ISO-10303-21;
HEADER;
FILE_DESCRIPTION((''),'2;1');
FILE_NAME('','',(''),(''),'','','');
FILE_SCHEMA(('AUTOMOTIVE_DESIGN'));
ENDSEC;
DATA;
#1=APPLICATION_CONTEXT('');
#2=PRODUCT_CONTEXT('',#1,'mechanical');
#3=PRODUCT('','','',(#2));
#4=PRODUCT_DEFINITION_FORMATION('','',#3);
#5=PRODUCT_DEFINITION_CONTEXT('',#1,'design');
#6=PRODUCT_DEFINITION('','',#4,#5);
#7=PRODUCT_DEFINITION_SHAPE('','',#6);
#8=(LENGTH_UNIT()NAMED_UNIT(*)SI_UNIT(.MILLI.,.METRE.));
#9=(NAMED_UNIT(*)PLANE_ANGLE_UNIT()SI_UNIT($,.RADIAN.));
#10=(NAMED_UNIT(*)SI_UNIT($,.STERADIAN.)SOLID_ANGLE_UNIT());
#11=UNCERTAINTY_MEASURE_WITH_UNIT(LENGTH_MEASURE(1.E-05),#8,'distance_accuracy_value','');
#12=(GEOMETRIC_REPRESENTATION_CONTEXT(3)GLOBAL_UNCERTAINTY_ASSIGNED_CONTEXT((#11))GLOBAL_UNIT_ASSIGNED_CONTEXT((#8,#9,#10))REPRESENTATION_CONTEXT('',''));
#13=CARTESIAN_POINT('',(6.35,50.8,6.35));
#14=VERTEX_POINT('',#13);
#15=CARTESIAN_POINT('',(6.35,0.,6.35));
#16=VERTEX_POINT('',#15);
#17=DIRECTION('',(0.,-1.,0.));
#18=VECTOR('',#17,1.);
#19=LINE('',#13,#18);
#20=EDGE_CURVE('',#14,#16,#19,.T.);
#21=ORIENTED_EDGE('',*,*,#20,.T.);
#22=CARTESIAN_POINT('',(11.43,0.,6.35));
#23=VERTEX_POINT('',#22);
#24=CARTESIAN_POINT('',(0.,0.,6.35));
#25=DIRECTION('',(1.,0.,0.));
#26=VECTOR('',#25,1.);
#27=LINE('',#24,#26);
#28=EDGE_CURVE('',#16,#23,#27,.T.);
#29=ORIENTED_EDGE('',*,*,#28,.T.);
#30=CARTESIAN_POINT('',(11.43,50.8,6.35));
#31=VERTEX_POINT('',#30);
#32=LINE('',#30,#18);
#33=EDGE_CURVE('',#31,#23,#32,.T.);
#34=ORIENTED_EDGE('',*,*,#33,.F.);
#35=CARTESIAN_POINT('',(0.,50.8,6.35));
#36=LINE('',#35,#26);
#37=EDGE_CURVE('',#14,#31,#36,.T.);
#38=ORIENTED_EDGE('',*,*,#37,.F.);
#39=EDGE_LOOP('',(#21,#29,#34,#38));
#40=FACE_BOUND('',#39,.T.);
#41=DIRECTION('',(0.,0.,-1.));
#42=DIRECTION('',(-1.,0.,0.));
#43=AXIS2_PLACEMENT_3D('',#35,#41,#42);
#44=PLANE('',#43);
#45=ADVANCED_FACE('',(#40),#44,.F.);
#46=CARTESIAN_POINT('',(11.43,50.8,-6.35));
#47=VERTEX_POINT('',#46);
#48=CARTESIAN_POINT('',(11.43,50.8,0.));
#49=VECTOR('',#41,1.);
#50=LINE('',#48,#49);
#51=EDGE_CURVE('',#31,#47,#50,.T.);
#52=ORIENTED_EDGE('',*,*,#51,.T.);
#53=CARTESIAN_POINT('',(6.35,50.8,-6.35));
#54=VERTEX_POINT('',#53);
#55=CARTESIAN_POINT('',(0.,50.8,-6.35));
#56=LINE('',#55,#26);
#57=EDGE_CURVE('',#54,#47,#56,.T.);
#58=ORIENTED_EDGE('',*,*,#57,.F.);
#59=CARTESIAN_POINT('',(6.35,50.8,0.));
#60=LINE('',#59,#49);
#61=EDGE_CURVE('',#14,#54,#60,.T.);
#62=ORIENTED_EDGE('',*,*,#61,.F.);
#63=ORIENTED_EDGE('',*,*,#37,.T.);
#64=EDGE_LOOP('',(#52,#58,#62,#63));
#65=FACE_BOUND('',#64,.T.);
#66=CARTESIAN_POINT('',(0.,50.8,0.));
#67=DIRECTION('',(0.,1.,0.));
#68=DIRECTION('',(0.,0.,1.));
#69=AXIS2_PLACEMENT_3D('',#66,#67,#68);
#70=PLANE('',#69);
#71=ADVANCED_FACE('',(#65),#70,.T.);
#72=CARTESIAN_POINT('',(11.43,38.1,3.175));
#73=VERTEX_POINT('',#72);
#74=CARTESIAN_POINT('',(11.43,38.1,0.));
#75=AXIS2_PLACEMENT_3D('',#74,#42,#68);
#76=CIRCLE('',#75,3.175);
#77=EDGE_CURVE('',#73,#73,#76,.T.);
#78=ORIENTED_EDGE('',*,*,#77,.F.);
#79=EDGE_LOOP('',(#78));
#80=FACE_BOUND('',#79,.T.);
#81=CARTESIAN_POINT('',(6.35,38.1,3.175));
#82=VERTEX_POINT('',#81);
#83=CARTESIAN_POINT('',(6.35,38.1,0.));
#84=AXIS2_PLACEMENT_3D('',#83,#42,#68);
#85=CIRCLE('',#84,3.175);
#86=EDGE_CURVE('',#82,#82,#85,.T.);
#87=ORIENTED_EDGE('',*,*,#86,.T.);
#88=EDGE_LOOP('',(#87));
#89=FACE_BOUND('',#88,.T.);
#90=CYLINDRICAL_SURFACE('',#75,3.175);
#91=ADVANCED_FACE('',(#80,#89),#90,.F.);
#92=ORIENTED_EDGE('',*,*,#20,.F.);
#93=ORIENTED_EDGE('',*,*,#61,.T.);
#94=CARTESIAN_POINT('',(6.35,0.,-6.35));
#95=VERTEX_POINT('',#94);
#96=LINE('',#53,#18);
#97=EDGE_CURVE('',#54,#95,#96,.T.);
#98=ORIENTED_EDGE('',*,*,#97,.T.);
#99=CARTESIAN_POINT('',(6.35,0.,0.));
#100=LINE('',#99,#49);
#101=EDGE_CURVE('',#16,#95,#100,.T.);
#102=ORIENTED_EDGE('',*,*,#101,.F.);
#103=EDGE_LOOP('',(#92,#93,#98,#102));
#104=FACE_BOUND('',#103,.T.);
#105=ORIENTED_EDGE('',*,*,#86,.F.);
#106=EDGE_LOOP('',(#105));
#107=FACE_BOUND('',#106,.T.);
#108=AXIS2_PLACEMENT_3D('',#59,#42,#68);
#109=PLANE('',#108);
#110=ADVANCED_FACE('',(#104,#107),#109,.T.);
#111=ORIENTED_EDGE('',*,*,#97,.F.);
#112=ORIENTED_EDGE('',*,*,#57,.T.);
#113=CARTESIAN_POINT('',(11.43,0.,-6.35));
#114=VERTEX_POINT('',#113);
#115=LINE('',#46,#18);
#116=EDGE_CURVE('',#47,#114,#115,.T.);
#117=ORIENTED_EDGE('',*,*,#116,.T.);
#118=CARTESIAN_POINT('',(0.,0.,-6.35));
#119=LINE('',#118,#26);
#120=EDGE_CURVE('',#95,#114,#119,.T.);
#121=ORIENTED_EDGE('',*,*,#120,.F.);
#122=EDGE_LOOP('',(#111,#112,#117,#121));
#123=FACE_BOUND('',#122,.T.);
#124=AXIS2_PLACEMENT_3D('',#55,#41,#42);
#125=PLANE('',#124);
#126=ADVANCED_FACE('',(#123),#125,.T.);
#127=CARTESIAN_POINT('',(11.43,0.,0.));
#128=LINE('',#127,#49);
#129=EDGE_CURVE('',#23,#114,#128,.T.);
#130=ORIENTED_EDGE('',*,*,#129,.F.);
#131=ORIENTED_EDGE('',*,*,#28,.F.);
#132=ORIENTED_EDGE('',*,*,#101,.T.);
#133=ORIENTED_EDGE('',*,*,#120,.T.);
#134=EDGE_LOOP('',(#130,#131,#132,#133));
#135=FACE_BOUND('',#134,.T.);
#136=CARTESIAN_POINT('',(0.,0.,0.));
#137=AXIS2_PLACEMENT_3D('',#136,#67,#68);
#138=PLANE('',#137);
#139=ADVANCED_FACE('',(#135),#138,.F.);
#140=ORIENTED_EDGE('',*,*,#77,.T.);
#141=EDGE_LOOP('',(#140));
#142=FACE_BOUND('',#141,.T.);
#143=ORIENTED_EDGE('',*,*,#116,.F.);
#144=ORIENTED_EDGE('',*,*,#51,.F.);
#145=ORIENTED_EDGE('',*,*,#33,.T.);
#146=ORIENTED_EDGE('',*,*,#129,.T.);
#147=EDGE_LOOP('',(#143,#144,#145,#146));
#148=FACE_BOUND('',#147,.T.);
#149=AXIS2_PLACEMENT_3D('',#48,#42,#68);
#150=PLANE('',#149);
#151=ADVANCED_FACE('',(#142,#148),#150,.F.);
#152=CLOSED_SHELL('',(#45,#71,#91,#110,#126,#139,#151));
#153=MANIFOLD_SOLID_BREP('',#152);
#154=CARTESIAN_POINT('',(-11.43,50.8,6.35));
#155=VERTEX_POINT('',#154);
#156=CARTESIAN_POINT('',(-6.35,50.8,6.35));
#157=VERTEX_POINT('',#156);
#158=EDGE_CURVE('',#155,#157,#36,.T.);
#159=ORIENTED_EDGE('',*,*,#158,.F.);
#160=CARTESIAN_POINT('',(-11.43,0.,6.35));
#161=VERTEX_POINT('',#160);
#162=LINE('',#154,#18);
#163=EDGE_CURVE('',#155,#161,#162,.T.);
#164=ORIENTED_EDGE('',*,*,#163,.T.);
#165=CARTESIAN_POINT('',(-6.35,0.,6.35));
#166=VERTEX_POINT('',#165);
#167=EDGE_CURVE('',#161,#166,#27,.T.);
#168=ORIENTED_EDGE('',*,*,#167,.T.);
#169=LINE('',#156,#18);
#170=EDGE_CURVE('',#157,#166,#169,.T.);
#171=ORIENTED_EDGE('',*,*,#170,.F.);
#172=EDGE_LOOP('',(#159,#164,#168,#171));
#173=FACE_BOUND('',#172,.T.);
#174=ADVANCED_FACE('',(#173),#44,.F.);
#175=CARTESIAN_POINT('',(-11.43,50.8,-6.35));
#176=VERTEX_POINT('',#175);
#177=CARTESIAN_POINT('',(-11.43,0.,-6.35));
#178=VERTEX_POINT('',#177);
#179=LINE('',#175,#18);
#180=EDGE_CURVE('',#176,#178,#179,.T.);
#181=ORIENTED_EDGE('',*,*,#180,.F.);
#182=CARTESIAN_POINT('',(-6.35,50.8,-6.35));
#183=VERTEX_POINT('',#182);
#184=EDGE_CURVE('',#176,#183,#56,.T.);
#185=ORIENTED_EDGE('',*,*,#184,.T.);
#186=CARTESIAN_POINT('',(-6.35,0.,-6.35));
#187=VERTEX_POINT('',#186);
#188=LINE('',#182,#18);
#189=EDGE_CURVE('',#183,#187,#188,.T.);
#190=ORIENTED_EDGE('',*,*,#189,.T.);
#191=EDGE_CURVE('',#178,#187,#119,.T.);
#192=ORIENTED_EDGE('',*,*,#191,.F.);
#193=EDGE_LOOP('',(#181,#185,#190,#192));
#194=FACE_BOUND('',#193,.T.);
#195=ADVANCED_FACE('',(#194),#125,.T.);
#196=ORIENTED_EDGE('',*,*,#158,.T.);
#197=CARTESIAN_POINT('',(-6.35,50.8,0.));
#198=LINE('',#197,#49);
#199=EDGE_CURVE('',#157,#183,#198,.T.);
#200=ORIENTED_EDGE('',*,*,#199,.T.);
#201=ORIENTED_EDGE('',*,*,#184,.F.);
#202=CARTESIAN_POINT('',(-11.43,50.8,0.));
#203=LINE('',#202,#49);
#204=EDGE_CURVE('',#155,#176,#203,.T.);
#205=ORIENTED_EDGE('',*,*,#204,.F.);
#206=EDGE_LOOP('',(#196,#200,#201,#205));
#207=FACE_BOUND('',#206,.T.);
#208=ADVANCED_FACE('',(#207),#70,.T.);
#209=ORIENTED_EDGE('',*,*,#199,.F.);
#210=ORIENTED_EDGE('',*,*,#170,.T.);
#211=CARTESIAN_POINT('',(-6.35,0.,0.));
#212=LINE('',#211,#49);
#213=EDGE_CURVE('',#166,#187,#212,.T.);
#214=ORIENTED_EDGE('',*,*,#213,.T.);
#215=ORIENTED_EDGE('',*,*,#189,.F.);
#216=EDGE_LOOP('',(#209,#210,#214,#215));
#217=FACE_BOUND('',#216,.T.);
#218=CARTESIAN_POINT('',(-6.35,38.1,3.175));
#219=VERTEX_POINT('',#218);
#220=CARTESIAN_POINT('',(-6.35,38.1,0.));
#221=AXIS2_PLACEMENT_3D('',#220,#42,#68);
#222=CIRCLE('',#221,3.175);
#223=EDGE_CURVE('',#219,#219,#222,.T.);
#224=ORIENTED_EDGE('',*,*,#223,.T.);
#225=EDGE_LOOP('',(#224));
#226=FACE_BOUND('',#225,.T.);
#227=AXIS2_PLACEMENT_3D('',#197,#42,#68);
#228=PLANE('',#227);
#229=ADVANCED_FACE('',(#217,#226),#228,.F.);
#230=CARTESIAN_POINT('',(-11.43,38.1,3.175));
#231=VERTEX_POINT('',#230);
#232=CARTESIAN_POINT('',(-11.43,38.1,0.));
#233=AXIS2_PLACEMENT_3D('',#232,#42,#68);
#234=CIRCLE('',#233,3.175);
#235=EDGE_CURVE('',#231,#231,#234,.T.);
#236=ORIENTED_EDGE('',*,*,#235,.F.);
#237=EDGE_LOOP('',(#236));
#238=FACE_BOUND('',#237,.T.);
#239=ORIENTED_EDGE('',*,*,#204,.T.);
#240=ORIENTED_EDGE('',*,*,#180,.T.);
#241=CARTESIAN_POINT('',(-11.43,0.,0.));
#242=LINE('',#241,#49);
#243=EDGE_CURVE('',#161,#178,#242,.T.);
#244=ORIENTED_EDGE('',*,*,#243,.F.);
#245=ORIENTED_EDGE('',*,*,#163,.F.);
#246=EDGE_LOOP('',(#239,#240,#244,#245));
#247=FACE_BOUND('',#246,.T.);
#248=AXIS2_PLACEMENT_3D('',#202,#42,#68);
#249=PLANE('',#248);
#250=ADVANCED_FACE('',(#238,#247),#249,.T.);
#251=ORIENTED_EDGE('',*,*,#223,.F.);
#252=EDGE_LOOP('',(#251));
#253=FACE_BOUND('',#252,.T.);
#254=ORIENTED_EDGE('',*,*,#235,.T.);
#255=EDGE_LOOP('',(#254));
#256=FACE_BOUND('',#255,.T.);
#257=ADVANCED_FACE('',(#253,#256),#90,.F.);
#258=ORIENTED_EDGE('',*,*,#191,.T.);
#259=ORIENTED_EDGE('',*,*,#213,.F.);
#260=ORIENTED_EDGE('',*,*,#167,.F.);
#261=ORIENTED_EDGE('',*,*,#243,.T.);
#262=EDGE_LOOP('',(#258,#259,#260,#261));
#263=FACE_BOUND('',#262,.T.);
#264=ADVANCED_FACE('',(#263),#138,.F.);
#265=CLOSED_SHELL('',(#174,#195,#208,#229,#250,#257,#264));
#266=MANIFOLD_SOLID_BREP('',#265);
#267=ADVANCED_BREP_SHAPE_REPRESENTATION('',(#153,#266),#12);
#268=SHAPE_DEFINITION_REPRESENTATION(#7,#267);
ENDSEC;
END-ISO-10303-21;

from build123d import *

# Parameters (mm, degrees)
SKETCH1_W             = 5.08
SKETCH1_H             = 12.7
BOSS_EXTRUDE1_DEPTH   = 50.8
BOSS_EXTRUDE1_2_DEPTH = 50.8
SKETCH2_R             = 3.175
CUT_EXTRUDE1_DEPTH    = 23.86


with BuildPart() as part:
    # Sketch1 → Boss-Extrude1 (new body)
    with BuildSketch(Plane(origin=(0, 0, 0), x_dir=(1, 0, 0), z_dir=(0, 1, 0))):
        with Locations((-8.89, 0)):
            Rectangle(SKETCH1_W, SKETCH1_H)
    extrude(amount=BOSS_EXTRUDE1_DEPTH)


with BuildPart() as body_2:
    # Sketch1 → Boss-Extrude1 2 (new body)
    with BuildSketch(Plane(origin=(0, 0, 0), x_dir=(1, 0, 0), z_dir=(0, 1, 0))):
        with Locations((8.89, 0)):
            Rectangle(SKETCH1_W, SKETCH1_H)
    extrude(amount=BOSS_EXTRUDE1_2_DEPTH)


with BuildPart() as cut_extrude1_tool:
    # Sketch2 → Cut-Extrude1 (new body, through all)
    with BuildSketch(Plane.ZY.offset(11.43)):
        with Locations((0, 38.1)):
            Circle(SKETCH2_R)
    extrude(amount=-CUT_EXTRUDE1_DEPTH)


with BuildPart() as part_1:
    add(part.part)

    # Cut-Extrude1: cut by cut_extrude1_tool
    add(cut_extrude1_tool.part, mode=Mode.SUBTRACT)


with BuildPart() as body_2_1:
    add(body_2.part)

    # Cut-Extrude1: cut by cut_extrude1_tool
    add(cut_extrude1_tool.part, mode=Mode.SUBTRACT)


solid = Compound([part_1.part, body_2_1.part])
